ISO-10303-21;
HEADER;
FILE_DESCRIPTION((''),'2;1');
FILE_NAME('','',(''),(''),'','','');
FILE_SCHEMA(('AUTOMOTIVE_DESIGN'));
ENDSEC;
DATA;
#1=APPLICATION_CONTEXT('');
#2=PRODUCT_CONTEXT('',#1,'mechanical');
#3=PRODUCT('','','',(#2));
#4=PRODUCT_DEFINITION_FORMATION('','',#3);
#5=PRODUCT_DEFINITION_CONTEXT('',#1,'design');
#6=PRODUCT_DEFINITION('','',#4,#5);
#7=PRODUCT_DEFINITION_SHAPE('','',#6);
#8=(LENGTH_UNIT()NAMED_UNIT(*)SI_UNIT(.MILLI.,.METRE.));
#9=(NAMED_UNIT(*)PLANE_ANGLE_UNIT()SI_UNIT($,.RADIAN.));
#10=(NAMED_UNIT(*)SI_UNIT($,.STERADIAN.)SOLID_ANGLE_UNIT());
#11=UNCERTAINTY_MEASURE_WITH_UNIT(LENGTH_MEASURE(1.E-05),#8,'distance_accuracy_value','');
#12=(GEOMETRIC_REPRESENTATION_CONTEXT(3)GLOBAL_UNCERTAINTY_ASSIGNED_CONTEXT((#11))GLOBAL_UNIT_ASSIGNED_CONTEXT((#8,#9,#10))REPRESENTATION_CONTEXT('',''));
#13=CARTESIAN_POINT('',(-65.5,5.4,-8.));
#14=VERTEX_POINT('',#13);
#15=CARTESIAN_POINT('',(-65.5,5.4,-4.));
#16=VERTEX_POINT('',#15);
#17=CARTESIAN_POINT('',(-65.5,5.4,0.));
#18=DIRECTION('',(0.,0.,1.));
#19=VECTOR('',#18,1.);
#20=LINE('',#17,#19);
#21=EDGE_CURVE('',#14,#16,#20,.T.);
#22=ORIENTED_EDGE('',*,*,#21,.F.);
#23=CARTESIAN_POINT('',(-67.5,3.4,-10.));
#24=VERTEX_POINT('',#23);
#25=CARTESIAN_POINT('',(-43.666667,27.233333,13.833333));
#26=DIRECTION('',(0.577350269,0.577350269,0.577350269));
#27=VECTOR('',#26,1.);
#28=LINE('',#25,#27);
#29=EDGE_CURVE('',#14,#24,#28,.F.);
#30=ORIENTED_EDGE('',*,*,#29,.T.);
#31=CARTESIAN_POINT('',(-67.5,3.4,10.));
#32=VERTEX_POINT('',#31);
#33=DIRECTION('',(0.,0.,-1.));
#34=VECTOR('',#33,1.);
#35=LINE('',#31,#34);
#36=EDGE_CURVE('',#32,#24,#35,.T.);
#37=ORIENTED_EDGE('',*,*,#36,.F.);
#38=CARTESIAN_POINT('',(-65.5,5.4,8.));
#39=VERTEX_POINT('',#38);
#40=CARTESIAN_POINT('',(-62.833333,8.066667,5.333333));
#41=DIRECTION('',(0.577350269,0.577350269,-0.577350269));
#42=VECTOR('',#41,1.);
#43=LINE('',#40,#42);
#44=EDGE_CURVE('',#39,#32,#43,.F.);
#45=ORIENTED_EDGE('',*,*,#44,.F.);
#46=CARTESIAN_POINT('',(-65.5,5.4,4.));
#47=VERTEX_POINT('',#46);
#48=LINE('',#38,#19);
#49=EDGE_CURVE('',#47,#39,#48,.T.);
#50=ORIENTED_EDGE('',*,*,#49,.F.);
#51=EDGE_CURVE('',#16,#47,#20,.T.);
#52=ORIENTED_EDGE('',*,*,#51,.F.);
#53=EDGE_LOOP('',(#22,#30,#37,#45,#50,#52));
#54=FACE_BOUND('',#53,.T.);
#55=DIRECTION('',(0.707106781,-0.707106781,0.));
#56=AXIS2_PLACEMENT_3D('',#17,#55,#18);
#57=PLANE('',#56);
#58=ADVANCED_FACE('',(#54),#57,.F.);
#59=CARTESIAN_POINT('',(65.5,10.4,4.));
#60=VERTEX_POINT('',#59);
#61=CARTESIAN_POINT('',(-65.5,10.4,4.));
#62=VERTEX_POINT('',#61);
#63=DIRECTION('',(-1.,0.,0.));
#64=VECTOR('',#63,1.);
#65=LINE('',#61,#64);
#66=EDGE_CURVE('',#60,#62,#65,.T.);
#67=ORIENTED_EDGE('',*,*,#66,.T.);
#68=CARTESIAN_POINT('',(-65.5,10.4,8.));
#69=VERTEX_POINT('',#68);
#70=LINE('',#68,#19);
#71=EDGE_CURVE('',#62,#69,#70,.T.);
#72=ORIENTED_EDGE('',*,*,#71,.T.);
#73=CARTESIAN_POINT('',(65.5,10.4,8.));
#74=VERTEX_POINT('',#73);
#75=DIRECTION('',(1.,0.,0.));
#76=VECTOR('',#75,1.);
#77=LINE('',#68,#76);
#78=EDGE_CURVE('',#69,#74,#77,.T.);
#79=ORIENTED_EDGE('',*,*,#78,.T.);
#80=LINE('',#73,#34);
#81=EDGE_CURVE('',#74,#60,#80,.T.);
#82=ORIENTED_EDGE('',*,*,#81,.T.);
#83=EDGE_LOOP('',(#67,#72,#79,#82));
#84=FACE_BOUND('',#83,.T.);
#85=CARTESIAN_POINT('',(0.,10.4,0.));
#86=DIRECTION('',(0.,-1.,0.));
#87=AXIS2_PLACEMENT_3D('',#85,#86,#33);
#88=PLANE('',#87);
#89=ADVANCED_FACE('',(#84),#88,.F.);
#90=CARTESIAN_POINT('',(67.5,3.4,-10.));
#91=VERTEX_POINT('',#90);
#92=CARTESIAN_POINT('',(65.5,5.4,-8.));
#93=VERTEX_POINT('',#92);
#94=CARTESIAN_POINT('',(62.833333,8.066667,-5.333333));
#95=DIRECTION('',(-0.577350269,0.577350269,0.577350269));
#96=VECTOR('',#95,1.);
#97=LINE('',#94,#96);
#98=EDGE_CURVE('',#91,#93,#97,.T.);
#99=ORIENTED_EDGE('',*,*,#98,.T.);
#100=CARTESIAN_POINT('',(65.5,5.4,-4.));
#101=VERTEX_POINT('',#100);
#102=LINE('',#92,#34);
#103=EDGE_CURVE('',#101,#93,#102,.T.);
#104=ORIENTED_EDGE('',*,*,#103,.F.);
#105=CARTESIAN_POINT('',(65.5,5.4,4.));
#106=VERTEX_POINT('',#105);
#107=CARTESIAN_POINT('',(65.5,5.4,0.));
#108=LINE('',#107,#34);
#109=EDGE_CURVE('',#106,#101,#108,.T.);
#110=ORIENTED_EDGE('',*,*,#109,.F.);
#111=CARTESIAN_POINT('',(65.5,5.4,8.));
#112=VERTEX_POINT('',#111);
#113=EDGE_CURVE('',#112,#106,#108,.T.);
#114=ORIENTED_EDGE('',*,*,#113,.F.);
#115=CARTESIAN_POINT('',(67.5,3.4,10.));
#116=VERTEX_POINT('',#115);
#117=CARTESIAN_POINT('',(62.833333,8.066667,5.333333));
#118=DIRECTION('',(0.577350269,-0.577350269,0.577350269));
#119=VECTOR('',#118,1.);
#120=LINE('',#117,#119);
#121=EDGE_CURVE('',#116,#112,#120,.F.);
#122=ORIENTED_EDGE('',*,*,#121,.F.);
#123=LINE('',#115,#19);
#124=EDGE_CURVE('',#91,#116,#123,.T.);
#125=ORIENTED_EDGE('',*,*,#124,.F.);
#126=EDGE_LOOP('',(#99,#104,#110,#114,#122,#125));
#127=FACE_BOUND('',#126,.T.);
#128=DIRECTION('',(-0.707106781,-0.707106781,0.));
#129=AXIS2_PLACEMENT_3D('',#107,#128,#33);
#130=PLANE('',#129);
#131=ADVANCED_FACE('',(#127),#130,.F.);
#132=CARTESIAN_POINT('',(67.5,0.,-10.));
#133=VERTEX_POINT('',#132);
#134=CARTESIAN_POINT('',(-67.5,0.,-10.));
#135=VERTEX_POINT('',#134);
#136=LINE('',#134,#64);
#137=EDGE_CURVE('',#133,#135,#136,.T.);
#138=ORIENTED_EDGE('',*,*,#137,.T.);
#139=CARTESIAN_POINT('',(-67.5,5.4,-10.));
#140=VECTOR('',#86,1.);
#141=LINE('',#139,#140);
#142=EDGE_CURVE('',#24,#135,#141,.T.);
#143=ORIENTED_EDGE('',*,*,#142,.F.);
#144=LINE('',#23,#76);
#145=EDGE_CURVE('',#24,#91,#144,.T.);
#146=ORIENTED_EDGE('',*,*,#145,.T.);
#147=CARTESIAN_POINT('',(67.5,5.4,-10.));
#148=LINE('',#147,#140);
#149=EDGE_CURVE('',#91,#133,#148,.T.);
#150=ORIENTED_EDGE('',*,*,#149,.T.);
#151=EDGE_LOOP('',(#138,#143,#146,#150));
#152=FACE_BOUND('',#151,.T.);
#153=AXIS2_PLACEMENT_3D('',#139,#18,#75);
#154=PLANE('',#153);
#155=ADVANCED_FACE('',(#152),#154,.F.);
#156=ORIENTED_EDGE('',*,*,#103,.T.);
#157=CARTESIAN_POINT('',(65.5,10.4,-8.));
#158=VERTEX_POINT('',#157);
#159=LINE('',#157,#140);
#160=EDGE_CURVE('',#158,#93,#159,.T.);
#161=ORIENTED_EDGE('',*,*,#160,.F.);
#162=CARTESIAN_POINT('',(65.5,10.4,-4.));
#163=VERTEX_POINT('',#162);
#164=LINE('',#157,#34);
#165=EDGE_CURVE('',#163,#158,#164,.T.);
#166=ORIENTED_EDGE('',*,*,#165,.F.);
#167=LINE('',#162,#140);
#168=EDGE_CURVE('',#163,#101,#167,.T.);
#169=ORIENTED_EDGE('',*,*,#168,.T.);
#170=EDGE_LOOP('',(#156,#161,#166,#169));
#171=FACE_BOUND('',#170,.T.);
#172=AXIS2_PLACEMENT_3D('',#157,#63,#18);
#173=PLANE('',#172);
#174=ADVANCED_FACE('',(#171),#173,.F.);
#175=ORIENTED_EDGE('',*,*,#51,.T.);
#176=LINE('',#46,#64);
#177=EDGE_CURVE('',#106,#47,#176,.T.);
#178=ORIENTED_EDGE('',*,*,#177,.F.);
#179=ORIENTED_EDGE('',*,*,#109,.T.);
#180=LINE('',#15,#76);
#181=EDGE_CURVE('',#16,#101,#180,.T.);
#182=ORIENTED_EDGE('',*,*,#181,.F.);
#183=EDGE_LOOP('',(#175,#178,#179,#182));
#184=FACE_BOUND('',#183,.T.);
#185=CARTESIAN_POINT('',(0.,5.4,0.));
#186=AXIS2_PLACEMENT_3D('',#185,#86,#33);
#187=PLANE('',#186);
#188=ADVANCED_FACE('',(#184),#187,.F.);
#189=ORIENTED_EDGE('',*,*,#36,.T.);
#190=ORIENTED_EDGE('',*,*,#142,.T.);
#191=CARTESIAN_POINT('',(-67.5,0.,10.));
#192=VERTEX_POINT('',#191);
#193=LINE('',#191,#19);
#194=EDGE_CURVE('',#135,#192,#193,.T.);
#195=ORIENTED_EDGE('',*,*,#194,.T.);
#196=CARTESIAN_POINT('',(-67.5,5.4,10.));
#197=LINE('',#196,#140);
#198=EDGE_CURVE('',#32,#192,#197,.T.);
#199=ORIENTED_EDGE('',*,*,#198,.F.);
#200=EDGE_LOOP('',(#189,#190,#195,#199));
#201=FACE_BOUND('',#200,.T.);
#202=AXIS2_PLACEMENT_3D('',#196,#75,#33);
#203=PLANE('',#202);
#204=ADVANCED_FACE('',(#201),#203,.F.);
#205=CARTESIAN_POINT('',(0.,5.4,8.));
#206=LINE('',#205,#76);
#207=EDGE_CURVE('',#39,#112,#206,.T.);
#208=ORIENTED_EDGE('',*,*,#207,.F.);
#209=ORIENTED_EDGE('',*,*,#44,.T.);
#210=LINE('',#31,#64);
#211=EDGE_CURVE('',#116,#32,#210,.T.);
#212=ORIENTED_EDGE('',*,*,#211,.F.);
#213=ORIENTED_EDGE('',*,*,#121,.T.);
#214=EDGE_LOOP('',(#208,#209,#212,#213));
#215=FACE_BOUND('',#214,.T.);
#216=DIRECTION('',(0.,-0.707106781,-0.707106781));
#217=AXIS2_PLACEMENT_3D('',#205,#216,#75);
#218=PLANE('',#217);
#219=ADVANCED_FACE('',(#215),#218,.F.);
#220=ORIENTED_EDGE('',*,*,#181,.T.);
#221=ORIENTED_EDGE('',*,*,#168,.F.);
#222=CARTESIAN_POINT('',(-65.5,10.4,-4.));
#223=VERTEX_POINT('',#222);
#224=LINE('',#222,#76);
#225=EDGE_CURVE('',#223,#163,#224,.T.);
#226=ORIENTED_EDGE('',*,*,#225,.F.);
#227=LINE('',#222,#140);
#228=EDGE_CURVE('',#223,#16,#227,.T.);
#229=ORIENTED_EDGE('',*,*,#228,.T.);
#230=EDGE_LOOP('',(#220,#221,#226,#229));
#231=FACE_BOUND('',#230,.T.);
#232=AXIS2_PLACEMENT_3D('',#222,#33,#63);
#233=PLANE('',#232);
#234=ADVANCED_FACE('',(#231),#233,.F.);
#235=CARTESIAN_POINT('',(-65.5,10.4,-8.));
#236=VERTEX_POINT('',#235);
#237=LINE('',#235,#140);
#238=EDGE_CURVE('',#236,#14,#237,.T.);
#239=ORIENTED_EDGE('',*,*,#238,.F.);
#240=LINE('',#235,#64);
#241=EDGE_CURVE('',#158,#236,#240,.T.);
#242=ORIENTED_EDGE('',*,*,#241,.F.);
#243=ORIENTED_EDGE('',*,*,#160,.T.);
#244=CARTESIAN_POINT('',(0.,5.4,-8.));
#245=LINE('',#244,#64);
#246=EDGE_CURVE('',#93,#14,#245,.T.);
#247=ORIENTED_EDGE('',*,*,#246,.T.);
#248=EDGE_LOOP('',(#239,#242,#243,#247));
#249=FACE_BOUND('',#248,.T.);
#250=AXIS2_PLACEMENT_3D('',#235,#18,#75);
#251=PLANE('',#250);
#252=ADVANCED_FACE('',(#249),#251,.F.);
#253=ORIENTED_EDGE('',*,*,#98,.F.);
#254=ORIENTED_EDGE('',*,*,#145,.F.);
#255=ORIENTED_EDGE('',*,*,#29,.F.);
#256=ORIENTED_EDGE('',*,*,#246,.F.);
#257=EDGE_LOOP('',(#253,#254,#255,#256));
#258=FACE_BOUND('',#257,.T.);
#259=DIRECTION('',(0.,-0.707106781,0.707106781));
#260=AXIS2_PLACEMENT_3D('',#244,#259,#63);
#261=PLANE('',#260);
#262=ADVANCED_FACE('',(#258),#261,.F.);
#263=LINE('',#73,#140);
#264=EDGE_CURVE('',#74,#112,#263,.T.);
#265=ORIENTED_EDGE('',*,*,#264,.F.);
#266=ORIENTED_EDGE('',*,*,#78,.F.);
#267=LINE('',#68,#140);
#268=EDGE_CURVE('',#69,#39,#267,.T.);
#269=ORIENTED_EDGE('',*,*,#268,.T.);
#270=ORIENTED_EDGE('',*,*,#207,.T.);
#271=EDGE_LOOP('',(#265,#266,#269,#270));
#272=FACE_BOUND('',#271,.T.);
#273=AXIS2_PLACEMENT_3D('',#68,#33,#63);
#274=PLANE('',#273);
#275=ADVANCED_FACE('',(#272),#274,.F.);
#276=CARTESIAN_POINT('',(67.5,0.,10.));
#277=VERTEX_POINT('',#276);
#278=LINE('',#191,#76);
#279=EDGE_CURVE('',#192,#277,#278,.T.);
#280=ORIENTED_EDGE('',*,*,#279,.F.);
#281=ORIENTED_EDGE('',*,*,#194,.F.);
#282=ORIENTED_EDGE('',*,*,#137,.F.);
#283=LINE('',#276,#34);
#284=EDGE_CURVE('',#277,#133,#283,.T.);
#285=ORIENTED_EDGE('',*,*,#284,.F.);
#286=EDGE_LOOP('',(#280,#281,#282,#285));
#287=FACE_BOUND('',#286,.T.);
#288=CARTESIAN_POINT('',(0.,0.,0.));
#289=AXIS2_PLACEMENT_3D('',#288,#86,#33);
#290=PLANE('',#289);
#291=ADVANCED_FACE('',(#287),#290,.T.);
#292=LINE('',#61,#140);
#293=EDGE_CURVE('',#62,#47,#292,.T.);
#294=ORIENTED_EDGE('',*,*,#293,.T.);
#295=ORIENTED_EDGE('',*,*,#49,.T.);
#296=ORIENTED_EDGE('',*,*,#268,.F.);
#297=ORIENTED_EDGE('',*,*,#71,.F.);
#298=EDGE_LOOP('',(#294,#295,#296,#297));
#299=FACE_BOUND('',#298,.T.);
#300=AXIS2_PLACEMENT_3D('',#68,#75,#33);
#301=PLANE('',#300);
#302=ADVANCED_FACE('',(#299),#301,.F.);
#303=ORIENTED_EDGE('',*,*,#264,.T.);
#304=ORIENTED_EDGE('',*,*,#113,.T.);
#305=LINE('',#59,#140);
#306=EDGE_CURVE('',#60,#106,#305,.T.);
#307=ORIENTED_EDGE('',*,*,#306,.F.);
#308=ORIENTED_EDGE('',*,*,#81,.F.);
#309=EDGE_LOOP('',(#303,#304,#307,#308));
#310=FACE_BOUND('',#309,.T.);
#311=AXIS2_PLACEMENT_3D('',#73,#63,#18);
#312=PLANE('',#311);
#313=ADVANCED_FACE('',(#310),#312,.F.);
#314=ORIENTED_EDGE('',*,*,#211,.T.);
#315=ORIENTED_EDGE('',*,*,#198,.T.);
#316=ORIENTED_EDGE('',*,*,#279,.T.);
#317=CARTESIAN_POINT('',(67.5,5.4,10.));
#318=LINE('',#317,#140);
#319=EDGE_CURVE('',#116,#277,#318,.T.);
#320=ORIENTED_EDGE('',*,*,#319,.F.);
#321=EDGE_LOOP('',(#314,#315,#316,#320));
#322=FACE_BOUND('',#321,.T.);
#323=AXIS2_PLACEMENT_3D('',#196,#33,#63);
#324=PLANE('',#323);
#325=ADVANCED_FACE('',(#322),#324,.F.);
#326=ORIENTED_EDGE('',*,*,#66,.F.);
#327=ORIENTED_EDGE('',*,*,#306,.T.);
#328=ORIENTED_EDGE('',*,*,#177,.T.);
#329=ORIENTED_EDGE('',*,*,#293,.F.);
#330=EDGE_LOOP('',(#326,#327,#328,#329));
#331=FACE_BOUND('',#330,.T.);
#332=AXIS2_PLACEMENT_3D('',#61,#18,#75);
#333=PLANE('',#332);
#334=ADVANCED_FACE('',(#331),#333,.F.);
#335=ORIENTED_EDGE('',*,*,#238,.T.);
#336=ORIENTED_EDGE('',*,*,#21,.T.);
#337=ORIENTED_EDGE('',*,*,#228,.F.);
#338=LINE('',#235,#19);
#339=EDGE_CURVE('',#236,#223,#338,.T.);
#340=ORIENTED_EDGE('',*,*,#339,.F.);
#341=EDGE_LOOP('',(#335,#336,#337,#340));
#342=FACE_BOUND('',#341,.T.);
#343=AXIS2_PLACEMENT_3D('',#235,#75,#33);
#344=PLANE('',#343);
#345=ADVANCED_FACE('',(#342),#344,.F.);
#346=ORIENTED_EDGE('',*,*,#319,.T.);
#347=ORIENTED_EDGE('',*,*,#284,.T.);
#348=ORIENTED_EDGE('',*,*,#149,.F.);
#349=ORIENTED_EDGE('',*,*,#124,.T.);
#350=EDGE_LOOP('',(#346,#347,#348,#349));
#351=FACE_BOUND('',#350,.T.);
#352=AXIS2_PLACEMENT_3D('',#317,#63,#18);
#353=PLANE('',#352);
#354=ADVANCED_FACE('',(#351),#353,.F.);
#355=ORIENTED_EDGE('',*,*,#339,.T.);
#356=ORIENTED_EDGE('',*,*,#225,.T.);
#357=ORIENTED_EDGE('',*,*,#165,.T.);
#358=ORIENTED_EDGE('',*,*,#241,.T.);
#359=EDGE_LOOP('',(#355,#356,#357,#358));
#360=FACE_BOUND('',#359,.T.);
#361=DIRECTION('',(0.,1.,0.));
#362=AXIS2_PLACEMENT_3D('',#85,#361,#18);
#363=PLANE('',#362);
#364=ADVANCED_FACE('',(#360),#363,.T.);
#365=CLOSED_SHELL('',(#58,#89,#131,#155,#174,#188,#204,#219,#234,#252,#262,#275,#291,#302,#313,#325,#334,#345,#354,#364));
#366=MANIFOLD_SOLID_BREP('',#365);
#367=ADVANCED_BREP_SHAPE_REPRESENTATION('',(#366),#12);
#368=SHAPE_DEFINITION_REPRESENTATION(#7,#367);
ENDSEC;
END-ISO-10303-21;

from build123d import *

# Parameters (mm, degrees)
SKETCH1_W           = 135
SKETCH1_H           = 20
BOSS_EXTRUDE1_DEPTH = 5.4
CHAMFER1_SIZE       = 2
SKETCH2_W           = 131
SKETCH2_H           = 4
BOSS_EXTRUDE2_DEPTH = 5


with BuildPart() as part:
    # Sketch1 → Boss-Extrude1 (new body)
    with BuildSketch(Plane(origin=(0, 0, 0), x_dir=(1, 0, 0), z_dir=(0, 1, 0))):
        Rectangle(SKETCH1_W, SKETCH1_H)
    extrude(amount=BOSS_EXTRUDE1_DEPTH)

    # Chamfer1
    chamfer1_edges = [part.edges().sort_by_distance(p)[0] for p in [
        (-67.5, 5.4, 0),
        (0, 5.4, 10),
        (67.5, 5.4, 0),
        (0, 5.4, -10),
    ]]
    chamfer(chamfer1_edges, length=CHAMFER1_SIZE)

    # Sketch2 → Boss-Extrude2 (add)
    with BuildSketch(Plane(origin=(0, 5.4, 0), x_dir=(1, 0, 0), z_dir=(0, 1, 0))):
        with Locations((0, 6)):
            Rectangle(SKETCH2_W, SKETCH2_H)
        with Locations((0, -6)):
            Rectangle(SKETCH2_W, SKETCH2_H)
    extrude(amount=BOSS_EXTRUDE2_DEPTH)


solid = part.part
